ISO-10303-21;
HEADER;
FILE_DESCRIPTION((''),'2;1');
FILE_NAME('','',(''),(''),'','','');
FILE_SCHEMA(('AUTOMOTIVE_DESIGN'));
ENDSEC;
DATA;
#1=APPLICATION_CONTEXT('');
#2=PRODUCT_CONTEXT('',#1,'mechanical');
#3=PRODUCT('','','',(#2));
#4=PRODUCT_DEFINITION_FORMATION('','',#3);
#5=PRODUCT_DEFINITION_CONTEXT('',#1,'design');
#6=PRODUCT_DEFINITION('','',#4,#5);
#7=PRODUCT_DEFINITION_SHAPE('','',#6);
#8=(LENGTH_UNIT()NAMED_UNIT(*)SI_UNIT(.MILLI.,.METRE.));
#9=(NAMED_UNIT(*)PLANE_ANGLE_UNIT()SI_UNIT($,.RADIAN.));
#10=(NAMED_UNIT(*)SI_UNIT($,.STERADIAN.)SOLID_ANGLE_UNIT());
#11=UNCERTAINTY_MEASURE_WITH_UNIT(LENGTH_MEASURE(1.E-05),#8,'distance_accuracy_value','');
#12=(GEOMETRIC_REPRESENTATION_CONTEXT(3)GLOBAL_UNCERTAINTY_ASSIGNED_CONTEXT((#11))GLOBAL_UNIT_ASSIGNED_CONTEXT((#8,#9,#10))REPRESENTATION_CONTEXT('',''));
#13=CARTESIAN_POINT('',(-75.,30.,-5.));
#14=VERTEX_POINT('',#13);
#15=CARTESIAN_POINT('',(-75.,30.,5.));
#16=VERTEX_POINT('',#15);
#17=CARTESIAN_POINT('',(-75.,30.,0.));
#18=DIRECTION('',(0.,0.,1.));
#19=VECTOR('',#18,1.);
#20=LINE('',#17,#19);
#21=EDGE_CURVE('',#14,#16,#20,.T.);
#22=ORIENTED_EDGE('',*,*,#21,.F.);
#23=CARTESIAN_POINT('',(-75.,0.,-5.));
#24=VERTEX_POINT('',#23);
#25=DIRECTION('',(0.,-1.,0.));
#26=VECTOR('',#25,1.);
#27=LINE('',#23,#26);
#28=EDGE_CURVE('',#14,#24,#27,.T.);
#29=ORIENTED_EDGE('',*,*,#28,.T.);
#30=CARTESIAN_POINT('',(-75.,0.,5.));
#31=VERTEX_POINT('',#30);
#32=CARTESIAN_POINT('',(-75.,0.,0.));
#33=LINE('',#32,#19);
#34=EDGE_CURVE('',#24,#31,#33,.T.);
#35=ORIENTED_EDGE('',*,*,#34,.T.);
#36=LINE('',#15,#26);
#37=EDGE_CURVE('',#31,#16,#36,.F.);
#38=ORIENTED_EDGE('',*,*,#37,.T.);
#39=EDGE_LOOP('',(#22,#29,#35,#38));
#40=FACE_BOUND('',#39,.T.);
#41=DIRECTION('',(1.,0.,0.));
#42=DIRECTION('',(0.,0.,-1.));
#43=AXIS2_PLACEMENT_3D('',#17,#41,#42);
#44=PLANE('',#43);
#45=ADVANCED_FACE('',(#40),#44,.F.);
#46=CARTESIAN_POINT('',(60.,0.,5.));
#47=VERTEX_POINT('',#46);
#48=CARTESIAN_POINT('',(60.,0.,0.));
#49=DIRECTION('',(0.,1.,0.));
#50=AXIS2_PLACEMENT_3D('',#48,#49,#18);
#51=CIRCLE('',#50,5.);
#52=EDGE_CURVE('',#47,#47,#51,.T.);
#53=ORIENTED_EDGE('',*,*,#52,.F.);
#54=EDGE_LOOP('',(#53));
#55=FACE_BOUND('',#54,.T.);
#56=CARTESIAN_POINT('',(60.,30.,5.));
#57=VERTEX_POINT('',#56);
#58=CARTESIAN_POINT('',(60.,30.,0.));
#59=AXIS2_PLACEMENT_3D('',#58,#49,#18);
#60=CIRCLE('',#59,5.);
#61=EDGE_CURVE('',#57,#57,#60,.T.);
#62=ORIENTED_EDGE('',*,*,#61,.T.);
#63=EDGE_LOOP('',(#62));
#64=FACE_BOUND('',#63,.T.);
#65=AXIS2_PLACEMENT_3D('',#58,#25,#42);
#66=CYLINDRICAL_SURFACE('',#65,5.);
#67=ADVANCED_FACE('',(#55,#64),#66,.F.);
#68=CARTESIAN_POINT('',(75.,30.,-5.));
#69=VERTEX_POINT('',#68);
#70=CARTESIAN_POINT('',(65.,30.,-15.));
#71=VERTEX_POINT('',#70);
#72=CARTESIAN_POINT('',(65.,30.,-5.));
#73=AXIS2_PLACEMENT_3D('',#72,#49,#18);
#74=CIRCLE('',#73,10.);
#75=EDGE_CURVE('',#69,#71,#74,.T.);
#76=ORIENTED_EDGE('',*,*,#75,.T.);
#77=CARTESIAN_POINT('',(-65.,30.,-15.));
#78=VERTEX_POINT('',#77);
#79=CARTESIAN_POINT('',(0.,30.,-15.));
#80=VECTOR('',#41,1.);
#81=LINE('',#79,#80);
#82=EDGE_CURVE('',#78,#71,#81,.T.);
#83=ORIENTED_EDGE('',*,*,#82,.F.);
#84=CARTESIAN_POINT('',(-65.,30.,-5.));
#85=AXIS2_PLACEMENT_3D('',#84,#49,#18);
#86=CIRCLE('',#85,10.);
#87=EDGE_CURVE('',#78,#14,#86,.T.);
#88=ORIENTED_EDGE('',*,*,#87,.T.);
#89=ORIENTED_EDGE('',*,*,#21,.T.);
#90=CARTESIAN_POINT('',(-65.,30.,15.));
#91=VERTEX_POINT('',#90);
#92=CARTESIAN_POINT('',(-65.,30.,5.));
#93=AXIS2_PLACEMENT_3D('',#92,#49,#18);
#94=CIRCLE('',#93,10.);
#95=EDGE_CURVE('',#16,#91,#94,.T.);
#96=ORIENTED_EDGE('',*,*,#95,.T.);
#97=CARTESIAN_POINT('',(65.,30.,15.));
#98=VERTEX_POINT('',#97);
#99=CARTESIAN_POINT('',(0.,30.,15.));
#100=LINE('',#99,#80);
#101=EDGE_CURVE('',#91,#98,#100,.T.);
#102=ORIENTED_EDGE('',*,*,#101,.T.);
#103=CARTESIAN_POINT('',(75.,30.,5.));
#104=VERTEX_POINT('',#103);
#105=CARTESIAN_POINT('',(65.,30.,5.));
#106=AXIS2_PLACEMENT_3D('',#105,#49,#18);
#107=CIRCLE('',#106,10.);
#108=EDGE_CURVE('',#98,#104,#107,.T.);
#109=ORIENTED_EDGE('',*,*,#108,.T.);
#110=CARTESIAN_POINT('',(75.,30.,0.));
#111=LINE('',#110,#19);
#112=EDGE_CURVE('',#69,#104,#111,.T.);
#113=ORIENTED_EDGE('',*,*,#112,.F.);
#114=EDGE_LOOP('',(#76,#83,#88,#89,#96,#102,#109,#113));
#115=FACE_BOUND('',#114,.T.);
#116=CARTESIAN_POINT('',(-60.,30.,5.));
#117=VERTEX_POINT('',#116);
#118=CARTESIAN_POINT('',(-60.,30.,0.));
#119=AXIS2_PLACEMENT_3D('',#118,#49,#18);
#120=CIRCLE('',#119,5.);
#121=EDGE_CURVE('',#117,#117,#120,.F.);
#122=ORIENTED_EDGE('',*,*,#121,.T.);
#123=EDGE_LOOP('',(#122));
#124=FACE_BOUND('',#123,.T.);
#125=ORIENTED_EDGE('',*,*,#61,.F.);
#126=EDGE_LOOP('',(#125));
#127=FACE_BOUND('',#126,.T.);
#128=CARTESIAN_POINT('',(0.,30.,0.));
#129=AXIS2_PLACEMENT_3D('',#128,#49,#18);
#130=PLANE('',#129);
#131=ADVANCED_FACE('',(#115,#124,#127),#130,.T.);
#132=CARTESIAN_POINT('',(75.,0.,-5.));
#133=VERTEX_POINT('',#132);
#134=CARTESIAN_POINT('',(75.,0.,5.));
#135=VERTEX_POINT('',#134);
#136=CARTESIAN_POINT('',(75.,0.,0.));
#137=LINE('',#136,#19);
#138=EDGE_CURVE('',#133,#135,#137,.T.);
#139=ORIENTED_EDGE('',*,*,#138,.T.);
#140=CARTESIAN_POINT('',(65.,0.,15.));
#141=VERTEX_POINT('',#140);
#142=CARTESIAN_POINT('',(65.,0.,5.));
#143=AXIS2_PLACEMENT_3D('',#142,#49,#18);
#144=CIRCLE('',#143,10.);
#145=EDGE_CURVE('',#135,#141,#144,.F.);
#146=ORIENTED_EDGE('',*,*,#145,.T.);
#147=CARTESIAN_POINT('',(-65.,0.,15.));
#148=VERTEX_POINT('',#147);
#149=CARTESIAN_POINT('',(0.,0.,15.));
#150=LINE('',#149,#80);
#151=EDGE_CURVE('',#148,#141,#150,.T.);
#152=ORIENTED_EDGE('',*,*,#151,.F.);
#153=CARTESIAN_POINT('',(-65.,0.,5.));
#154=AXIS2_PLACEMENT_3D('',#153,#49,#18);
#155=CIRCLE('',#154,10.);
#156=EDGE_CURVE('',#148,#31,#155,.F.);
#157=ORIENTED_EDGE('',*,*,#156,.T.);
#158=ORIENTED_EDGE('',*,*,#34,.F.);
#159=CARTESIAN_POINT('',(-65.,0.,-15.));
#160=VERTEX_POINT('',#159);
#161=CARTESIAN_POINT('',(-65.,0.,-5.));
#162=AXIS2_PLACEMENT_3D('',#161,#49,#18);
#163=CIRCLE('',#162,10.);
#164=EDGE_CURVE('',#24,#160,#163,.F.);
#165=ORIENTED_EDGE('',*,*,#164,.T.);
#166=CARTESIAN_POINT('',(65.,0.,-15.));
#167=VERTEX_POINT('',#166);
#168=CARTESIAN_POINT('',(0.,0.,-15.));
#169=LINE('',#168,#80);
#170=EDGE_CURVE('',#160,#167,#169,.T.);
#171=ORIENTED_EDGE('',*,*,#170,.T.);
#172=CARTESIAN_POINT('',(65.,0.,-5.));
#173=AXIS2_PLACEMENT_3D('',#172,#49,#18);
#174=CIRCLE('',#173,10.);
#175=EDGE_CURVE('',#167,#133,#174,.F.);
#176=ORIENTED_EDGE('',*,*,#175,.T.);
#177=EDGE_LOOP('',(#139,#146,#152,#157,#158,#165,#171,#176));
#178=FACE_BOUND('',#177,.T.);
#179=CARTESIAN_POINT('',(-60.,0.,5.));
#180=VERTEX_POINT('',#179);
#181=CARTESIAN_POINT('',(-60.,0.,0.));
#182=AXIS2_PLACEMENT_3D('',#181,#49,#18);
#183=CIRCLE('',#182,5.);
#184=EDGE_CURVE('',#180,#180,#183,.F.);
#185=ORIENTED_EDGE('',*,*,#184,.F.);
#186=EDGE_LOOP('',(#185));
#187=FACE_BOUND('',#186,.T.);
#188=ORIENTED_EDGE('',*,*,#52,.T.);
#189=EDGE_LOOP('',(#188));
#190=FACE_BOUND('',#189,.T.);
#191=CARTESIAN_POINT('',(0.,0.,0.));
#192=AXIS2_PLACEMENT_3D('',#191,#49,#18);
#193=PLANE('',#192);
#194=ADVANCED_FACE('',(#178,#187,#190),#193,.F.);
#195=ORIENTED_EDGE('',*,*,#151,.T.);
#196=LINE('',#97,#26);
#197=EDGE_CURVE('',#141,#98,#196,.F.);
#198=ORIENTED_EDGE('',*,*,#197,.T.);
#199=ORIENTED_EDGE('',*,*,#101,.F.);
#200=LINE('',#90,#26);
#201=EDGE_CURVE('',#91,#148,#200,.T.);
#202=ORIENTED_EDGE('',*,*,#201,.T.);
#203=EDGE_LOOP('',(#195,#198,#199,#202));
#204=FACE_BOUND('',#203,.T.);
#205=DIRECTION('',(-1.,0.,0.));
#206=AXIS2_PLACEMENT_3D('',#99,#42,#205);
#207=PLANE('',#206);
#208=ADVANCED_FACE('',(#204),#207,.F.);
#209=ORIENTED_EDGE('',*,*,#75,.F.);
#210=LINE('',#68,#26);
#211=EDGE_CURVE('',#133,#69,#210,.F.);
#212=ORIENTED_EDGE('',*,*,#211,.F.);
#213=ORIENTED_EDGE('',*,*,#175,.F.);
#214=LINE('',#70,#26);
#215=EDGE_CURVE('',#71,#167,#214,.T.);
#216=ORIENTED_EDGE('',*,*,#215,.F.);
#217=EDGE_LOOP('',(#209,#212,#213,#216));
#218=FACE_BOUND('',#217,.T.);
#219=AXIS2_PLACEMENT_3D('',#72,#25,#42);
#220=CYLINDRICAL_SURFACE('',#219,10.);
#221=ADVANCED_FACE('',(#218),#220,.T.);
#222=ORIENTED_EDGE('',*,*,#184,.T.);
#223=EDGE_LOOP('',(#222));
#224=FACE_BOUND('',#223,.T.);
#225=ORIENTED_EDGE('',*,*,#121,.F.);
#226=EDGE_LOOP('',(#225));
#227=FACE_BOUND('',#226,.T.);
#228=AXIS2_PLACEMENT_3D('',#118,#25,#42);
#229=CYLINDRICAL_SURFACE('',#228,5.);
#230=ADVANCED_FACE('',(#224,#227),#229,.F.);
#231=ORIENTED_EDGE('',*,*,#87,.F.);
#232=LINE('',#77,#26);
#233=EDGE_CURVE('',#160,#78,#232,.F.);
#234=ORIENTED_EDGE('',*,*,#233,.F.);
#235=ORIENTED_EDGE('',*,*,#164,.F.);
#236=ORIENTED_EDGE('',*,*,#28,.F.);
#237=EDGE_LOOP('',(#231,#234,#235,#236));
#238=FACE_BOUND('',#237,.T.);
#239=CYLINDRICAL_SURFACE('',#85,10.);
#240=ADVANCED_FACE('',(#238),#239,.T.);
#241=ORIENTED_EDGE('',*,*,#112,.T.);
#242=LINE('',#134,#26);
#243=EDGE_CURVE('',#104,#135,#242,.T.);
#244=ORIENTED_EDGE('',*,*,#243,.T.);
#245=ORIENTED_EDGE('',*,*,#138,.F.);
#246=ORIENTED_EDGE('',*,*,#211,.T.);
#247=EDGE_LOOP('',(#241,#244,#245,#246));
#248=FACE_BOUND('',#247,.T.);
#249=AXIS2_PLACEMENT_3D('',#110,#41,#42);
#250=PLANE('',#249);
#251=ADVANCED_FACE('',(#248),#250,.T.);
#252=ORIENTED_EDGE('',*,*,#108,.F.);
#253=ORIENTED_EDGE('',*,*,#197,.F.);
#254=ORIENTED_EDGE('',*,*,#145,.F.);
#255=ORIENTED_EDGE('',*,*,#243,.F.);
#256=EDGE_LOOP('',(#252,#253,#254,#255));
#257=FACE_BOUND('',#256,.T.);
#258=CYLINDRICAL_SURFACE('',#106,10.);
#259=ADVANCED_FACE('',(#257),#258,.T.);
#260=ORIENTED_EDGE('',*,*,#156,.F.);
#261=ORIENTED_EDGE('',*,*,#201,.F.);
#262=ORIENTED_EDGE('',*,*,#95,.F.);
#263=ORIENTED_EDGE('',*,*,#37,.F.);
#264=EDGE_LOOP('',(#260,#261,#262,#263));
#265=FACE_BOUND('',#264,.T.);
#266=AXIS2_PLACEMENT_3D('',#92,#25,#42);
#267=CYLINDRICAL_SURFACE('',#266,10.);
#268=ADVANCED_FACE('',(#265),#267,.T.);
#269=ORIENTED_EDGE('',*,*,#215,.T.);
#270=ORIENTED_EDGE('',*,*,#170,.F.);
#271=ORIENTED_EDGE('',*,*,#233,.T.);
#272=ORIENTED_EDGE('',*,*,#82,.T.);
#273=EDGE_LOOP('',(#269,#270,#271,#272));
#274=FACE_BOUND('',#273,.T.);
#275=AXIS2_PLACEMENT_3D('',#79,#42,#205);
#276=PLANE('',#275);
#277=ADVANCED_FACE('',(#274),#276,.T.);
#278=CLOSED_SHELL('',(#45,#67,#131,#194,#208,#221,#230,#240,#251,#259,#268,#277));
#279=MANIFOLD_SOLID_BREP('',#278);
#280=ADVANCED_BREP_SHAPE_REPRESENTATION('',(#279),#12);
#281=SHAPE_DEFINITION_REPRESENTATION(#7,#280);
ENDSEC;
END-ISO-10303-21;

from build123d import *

# Parameters (mm, degrees)
SKETCH1_W           = 90
SKETCH1_H           = 30
SKETCH1_W_2         = 30
SKETCH1_R           = 5
BOSS_EXTRUDE1_DEPTH = 30
FILLET1_R           = 10


with BuildPart() as part:
    # Sketch1 → Boss-Extrude1 (new body)
    # profile 1 of 3: a face of its own
    with BuildSketch(Plane(origin=(0, 0, 0), x_dir=(1, 0, 0), z_dir=(0, 1, 0))):
        Rectangle(SKETCH1_W, SKETCH1_H)
    # profile 2 of 3: a face of its own
    with BuildSketch(Plane(origin=(0, 0, 0), x_dir=(1, 0, 0), z_dir=(0, 1, 0))):
        with Locations((60, 0)):
            Rectangle(SKETCH1_W_2, SKETCH1_H)
        with Locations(Location((60, 0, 0), (0, 0, 270))):
            Circle(SKETCH1_R, mode=Mode.SUBTRACT)
    # profile 3 of 3: a face of its own
    with BuildSketch(Plane(origin=(0, 0, 0), x_dir=(1, 0, 0), z_dir=(0, 1, 0))):
        with Locations((-60, 0)):
            Rectangle(SKETCH1_W_2, SKETCH1_H)
        with Locations(Location((-60, 0, 0), (0, 0, 270))):
            Circle(SKETCH1_R, mode=Mode.SUBTRACT)
    extrude(amount=BOSS_EXTRUDE1_DEPTH)

    # Fillet1
    fillet1_edges = [part.edges().sort_by_distance(p)[0] for p in [
        (-75, 15, 15),
        (-75, 15, -15),
        (75, 15, -15),
        (75, 15, 15),
    ]]
    fillet(fillet1_edges, radius=FILLET1_R)


solid = part.part
